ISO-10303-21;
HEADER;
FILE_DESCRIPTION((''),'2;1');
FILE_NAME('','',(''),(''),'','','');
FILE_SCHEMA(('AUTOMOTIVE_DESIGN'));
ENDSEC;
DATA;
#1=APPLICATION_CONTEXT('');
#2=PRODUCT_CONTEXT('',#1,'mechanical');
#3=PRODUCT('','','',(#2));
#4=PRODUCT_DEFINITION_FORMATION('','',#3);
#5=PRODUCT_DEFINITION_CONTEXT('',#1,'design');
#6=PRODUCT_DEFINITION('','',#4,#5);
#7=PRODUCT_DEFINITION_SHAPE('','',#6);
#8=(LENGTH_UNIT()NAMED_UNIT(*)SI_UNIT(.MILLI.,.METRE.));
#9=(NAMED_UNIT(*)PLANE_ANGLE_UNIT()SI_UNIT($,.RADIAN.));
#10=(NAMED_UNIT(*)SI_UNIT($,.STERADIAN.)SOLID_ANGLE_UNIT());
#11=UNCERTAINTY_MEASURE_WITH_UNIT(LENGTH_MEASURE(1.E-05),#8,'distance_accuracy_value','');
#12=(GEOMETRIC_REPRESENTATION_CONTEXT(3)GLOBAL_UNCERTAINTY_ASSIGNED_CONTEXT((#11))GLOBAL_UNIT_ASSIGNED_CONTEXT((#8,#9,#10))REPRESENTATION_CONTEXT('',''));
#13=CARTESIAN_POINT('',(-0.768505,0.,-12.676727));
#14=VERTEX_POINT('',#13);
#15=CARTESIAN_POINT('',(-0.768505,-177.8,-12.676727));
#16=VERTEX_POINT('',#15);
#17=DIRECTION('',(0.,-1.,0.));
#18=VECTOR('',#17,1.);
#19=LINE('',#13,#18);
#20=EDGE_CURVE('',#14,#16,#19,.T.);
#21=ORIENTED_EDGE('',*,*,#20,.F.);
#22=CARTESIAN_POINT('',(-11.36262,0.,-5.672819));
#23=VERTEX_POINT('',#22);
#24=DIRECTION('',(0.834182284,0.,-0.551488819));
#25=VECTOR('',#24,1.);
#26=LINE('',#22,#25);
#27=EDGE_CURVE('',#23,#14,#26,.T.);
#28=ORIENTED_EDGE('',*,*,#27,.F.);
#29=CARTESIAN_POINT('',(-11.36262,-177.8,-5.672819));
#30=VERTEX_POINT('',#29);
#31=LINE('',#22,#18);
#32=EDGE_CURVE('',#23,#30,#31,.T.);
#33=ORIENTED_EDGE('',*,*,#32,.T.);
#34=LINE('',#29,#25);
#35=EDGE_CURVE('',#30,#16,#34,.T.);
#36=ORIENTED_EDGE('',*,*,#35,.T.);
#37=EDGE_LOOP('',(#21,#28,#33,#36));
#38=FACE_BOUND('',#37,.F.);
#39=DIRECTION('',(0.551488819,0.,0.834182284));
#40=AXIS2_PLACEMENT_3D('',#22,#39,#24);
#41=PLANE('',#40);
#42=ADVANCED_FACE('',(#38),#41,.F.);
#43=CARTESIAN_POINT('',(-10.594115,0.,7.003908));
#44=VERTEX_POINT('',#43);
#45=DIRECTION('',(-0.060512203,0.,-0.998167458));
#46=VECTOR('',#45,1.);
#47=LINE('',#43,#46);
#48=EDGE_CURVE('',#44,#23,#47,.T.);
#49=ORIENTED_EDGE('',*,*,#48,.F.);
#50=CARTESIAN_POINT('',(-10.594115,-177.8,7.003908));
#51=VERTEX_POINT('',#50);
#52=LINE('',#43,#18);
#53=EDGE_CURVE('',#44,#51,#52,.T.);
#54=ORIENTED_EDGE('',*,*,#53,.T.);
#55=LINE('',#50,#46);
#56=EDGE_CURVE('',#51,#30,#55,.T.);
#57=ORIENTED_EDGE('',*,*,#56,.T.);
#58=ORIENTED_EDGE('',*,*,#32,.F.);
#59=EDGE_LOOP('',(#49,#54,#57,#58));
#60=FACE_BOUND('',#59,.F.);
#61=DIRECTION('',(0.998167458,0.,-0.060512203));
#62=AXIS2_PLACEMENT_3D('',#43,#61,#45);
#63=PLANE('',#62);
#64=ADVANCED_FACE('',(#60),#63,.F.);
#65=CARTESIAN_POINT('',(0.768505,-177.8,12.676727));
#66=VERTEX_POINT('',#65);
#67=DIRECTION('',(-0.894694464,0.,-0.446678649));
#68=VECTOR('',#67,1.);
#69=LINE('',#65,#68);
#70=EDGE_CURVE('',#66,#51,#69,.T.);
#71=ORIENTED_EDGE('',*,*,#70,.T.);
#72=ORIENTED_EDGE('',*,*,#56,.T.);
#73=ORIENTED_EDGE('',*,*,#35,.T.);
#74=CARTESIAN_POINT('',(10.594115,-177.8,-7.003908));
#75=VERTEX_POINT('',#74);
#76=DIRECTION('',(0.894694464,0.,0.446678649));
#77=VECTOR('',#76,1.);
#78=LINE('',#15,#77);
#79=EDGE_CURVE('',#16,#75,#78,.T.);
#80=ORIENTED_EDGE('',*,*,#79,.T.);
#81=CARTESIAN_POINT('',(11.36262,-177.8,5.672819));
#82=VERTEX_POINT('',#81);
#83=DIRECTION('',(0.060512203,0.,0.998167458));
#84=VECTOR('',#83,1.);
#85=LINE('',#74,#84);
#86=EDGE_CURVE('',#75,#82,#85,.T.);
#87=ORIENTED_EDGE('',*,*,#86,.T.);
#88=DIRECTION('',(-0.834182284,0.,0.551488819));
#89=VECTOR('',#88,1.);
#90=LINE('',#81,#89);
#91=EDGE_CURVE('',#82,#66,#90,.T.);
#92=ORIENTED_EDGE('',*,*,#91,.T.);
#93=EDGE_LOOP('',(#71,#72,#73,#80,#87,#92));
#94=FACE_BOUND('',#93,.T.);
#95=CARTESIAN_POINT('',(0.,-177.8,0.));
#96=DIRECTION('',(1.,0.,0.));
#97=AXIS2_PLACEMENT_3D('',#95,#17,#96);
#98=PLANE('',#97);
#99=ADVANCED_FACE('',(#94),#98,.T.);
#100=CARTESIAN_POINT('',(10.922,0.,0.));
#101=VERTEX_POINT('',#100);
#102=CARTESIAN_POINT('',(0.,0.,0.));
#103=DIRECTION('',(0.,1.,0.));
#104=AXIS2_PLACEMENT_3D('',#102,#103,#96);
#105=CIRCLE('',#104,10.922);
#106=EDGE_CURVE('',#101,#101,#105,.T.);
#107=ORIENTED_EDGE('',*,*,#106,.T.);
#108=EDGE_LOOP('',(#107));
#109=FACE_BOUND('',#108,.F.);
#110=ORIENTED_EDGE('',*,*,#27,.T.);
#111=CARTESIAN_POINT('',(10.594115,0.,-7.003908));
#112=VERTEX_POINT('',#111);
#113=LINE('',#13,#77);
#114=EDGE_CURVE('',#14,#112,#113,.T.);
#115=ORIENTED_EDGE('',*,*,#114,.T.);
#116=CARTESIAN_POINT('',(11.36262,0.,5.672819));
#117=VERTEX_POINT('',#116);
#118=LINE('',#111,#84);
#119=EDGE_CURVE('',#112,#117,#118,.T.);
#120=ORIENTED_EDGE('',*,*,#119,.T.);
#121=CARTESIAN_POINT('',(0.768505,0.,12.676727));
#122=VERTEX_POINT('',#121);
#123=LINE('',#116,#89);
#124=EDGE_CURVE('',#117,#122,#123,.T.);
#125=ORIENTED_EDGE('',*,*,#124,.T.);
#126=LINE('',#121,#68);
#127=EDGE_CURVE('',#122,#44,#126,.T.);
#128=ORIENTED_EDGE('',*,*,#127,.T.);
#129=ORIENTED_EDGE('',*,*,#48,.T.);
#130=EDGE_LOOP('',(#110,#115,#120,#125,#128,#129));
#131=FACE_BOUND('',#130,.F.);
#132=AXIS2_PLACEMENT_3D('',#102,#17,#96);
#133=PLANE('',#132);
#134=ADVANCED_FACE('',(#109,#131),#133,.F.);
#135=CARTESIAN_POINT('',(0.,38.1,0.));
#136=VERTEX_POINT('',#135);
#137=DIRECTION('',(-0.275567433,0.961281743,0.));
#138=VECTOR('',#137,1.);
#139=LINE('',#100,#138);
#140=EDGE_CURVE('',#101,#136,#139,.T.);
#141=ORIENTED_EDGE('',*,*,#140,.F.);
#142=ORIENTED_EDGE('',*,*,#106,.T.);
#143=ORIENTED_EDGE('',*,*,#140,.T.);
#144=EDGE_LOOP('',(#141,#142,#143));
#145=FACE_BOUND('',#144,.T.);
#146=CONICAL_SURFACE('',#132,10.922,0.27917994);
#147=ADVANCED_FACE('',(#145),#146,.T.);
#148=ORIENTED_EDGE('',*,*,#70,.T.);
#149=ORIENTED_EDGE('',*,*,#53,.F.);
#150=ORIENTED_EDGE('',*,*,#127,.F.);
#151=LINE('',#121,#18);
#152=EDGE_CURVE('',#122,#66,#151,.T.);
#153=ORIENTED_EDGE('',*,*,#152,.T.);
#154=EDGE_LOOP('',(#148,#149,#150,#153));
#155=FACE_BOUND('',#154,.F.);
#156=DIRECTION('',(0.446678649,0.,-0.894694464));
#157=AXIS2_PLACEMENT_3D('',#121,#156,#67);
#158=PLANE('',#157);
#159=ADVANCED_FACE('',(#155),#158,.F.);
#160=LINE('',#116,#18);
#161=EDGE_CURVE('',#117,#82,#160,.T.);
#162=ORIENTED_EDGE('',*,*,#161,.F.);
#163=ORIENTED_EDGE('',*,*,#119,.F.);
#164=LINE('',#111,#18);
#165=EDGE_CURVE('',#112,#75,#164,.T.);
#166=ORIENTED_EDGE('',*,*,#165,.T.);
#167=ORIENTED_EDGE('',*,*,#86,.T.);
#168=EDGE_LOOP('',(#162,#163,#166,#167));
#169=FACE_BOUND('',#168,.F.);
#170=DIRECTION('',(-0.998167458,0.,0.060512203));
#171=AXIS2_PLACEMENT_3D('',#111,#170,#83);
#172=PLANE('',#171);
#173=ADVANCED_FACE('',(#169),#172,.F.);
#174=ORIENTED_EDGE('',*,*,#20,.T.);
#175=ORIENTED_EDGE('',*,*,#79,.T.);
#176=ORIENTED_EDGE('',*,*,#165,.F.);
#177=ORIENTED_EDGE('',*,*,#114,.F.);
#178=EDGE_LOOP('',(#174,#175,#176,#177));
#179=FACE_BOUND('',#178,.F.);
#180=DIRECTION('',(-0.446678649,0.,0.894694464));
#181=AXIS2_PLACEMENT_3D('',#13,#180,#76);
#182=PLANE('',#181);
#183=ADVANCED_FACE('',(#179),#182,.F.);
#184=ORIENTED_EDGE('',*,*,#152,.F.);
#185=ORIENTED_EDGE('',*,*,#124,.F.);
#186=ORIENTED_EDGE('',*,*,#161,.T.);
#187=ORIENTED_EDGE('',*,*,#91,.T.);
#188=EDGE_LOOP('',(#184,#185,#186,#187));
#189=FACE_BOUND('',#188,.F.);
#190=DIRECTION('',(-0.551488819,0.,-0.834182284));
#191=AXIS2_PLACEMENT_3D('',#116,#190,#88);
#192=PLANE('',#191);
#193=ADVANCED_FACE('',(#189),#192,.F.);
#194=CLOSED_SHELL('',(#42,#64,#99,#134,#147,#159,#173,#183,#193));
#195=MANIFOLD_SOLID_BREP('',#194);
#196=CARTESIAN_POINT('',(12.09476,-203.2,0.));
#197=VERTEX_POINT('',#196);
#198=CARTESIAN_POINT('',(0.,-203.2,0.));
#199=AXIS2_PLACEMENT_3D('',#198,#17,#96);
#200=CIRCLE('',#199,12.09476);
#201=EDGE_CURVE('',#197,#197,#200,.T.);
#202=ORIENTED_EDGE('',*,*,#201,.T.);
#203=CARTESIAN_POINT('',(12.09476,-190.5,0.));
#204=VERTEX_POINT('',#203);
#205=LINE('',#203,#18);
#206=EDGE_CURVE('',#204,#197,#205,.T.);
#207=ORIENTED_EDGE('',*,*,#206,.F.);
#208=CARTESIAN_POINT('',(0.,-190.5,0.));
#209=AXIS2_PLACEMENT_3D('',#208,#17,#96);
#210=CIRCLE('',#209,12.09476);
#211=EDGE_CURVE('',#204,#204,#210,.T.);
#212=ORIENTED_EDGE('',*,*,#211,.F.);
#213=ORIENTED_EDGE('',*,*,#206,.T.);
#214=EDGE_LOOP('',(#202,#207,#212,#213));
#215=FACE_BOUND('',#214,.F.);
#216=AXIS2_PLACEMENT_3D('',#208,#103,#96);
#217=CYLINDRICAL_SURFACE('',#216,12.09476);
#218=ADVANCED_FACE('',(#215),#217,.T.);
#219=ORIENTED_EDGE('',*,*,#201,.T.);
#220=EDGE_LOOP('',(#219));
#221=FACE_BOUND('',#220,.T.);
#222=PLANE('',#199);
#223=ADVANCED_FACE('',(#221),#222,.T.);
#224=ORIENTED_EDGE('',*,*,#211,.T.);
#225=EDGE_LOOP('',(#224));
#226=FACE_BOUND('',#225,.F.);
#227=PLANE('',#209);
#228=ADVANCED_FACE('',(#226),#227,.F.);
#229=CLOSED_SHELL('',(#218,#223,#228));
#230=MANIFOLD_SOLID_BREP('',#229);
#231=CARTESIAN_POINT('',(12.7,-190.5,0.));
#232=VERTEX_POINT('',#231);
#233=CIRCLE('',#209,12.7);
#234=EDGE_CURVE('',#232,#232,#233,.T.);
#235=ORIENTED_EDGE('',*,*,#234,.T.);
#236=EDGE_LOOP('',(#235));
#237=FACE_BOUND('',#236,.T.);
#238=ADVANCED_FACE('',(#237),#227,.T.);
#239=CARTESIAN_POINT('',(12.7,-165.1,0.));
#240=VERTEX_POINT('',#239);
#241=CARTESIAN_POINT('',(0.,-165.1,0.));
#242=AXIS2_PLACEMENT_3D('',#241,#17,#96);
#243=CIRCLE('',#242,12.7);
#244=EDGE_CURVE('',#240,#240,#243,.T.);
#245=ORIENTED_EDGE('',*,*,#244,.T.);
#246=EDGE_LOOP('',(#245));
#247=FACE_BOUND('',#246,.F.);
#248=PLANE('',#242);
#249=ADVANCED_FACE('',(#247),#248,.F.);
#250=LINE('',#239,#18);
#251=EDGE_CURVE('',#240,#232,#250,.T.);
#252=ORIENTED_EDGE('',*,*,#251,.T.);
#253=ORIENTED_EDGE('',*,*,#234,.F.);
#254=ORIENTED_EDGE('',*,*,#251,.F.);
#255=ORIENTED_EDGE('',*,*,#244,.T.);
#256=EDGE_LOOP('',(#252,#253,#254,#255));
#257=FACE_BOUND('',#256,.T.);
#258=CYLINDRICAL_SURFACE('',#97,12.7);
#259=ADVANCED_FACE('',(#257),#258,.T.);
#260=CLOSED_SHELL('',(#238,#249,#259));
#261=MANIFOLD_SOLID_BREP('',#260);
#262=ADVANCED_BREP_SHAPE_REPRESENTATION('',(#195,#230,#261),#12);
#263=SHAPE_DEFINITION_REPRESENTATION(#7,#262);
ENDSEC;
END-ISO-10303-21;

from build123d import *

# Parameters (mm, degrees)
F1_DEPTH = 177.8
F4_R     = 12.7
F5_DEPTH = 12.7
F6_R     = 12.09476
F7_DEPTH = 12.7


with BuildPart() as f1:
    # F0 (on Front) → F1 (new body)
    with BuildSketch(Plane.XZ):
        Polygon((-0.768505, -12.676727), (10.594115, -7.003908), (11.36262, 5.672819), (0.768505, 12.676727), (-10.594115, 7.003908), (-11.36262, -5.672819), align=None)
    extrude(amount=F1_DEPTH)

    # F2 (on Top) → F3 (revolve)
    with BuildSketch(Plane.XY):
        Polygon((0, 38.1), (0, 0), (10.922, 0), align=None)
    revolve(axis=Axis((0, 19.05, 0), (0, 1, 0)))


with BuildPart() as f5:
    # F4 (on face) → F5 (new body, symmetric)
    with BuildSketch(Plane.XZ.offset(177.8)):
        Circle(F4_R)
    extrude(amount=F5_DEPTH, both=True)


with BuildPart() as f7:
    # F6 (on face) → F7 (new body)
    with BuildSketch(Plane.XZ.offset(190.5)):
        Circle(F6_R)
    extrude(amount=F7_DEPTH)


solid = Compound([f1.part, f5.part, f7.part])
